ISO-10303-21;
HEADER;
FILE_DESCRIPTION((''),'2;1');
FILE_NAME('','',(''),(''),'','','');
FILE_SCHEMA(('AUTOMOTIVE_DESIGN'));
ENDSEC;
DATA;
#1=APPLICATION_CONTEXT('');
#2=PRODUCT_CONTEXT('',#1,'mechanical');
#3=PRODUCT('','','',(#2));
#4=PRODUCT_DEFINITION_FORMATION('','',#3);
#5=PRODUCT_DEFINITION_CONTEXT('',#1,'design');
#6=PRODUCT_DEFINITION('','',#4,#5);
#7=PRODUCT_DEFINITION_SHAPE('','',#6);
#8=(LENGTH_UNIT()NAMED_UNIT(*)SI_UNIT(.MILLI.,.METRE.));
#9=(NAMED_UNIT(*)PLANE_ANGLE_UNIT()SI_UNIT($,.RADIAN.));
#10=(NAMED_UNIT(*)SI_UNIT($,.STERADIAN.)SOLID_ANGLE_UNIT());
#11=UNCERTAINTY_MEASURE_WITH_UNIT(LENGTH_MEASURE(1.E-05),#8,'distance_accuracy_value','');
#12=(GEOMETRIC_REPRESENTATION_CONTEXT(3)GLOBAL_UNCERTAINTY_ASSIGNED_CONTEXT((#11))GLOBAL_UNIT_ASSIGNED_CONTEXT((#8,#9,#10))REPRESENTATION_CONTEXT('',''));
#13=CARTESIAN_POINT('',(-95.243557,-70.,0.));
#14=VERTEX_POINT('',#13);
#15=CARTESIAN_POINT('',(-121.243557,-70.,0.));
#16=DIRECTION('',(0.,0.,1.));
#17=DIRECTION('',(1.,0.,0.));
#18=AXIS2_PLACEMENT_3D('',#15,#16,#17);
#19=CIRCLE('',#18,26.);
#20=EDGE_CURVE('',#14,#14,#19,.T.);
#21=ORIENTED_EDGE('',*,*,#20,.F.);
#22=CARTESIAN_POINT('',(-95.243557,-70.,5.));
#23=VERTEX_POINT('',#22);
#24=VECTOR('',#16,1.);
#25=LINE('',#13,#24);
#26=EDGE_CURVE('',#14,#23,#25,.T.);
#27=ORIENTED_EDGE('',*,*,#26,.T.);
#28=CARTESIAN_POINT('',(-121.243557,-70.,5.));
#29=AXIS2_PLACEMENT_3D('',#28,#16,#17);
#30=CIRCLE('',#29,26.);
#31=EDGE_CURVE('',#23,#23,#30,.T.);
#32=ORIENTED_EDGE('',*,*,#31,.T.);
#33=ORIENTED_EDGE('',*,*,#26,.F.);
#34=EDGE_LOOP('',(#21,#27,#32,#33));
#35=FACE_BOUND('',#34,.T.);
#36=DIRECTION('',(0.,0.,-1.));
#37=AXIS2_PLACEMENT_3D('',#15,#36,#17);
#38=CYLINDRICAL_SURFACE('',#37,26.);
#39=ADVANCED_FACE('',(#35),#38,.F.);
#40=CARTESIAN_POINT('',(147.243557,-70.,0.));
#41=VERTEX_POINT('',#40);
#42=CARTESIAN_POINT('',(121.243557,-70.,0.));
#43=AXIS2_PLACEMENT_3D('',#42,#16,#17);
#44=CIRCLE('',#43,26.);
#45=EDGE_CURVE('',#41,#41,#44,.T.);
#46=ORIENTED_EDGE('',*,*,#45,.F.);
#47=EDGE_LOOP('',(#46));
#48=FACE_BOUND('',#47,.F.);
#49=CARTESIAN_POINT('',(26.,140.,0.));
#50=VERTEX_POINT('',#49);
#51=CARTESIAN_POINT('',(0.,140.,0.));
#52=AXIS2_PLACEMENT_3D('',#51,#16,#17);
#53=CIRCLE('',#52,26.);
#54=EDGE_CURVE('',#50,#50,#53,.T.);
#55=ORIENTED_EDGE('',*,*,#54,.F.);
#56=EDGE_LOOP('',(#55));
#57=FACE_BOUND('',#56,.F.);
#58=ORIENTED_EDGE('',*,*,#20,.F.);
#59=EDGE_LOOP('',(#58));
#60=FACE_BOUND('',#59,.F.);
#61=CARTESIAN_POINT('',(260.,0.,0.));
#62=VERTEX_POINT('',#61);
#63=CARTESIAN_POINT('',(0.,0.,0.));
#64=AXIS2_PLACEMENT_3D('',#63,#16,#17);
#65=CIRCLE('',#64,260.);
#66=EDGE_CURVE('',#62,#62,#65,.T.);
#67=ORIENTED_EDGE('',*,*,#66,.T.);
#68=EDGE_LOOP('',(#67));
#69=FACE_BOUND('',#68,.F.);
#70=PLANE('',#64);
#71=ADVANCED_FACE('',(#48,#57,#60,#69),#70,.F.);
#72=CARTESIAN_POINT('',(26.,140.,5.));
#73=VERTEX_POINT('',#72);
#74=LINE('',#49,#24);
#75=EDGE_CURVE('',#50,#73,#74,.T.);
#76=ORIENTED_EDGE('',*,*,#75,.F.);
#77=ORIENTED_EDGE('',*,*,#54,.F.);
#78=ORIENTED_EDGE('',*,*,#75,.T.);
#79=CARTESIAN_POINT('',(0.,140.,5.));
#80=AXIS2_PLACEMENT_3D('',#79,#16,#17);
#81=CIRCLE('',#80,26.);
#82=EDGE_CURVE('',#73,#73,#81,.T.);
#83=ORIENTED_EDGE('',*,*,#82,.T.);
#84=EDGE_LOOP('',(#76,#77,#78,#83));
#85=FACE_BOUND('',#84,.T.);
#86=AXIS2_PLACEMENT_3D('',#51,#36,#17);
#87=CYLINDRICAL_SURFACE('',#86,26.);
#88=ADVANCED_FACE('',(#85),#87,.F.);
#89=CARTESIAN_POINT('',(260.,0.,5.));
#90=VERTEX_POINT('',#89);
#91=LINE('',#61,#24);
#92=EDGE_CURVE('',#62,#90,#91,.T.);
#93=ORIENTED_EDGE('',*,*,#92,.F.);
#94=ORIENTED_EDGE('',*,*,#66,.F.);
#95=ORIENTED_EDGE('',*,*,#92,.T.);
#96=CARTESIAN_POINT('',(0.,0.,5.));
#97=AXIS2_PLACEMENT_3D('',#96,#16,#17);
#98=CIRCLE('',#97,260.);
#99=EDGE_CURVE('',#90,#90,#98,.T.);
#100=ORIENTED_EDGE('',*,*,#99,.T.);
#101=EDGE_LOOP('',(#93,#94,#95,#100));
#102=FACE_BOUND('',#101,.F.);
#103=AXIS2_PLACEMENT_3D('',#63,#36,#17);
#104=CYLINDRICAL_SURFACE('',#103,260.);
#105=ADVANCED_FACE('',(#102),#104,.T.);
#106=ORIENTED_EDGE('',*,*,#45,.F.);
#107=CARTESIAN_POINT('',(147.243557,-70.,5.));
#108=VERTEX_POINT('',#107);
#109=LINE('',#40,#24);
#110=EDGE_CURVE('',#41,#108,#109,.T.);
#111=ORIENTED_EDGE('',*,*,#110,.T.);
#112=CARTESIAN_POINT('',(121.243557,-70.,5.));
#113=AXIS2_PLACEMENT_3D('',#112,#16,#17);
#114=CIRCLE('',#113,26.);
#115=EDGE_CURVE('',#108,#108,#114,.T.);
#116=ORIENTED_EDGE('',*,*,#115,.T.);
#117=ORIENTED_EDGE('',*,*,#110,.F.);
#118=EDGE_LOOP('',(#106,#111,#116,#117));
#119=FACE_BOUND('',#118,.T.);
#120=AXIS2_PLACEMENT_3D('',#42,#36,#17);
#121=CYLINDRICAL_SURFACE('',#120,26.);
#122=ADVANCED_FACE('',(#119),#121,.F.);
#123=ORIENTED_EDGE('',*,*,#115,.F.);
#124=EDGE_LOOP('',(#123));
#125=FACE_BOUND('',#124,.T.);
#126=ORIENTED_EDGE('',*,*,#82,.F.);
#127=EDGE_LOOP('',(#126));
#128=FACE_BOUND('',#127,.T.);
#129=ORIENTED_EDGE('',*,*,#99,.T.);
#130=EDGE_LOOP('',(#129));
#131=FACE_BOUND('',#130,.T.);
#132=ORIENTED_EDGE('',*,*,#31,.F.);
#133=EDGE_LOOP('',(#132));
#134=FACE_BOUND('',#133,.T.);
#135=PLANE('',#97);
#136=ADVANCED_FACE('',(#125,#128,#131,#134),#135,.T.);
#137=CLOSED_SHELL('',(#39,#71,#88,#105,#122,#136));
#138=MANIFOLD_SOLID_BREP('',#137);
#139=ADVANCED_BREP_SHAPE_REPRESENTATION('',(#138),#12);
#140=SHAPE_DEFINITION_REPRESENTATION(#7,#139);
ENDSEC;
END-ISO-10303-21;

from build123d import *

# Parameters (mm, degrees)
F0_R     = 260
F0_R_2   = 26
F1_DEPTH = 5


with BuildPart() as f1:
    # F0 (on Top) → F1 (new body)
    with BuildSketch(Plane.XY):
        Circle(F0_R)
        with Locations((-121.243557, -70)):
            Circle(F0_R_2, mode=Mode.SUBTRACT)
        with Locations((121.243557, -70)):
            Circle(F0_R_2, mode=Mode.SUBTRACT)
        with Locations((0, 140)):
            Circle(F0_R_2, mode=Mode.SUBTRACT)
    extrude(amount=F1_DEPTH)


solid = f1.part
